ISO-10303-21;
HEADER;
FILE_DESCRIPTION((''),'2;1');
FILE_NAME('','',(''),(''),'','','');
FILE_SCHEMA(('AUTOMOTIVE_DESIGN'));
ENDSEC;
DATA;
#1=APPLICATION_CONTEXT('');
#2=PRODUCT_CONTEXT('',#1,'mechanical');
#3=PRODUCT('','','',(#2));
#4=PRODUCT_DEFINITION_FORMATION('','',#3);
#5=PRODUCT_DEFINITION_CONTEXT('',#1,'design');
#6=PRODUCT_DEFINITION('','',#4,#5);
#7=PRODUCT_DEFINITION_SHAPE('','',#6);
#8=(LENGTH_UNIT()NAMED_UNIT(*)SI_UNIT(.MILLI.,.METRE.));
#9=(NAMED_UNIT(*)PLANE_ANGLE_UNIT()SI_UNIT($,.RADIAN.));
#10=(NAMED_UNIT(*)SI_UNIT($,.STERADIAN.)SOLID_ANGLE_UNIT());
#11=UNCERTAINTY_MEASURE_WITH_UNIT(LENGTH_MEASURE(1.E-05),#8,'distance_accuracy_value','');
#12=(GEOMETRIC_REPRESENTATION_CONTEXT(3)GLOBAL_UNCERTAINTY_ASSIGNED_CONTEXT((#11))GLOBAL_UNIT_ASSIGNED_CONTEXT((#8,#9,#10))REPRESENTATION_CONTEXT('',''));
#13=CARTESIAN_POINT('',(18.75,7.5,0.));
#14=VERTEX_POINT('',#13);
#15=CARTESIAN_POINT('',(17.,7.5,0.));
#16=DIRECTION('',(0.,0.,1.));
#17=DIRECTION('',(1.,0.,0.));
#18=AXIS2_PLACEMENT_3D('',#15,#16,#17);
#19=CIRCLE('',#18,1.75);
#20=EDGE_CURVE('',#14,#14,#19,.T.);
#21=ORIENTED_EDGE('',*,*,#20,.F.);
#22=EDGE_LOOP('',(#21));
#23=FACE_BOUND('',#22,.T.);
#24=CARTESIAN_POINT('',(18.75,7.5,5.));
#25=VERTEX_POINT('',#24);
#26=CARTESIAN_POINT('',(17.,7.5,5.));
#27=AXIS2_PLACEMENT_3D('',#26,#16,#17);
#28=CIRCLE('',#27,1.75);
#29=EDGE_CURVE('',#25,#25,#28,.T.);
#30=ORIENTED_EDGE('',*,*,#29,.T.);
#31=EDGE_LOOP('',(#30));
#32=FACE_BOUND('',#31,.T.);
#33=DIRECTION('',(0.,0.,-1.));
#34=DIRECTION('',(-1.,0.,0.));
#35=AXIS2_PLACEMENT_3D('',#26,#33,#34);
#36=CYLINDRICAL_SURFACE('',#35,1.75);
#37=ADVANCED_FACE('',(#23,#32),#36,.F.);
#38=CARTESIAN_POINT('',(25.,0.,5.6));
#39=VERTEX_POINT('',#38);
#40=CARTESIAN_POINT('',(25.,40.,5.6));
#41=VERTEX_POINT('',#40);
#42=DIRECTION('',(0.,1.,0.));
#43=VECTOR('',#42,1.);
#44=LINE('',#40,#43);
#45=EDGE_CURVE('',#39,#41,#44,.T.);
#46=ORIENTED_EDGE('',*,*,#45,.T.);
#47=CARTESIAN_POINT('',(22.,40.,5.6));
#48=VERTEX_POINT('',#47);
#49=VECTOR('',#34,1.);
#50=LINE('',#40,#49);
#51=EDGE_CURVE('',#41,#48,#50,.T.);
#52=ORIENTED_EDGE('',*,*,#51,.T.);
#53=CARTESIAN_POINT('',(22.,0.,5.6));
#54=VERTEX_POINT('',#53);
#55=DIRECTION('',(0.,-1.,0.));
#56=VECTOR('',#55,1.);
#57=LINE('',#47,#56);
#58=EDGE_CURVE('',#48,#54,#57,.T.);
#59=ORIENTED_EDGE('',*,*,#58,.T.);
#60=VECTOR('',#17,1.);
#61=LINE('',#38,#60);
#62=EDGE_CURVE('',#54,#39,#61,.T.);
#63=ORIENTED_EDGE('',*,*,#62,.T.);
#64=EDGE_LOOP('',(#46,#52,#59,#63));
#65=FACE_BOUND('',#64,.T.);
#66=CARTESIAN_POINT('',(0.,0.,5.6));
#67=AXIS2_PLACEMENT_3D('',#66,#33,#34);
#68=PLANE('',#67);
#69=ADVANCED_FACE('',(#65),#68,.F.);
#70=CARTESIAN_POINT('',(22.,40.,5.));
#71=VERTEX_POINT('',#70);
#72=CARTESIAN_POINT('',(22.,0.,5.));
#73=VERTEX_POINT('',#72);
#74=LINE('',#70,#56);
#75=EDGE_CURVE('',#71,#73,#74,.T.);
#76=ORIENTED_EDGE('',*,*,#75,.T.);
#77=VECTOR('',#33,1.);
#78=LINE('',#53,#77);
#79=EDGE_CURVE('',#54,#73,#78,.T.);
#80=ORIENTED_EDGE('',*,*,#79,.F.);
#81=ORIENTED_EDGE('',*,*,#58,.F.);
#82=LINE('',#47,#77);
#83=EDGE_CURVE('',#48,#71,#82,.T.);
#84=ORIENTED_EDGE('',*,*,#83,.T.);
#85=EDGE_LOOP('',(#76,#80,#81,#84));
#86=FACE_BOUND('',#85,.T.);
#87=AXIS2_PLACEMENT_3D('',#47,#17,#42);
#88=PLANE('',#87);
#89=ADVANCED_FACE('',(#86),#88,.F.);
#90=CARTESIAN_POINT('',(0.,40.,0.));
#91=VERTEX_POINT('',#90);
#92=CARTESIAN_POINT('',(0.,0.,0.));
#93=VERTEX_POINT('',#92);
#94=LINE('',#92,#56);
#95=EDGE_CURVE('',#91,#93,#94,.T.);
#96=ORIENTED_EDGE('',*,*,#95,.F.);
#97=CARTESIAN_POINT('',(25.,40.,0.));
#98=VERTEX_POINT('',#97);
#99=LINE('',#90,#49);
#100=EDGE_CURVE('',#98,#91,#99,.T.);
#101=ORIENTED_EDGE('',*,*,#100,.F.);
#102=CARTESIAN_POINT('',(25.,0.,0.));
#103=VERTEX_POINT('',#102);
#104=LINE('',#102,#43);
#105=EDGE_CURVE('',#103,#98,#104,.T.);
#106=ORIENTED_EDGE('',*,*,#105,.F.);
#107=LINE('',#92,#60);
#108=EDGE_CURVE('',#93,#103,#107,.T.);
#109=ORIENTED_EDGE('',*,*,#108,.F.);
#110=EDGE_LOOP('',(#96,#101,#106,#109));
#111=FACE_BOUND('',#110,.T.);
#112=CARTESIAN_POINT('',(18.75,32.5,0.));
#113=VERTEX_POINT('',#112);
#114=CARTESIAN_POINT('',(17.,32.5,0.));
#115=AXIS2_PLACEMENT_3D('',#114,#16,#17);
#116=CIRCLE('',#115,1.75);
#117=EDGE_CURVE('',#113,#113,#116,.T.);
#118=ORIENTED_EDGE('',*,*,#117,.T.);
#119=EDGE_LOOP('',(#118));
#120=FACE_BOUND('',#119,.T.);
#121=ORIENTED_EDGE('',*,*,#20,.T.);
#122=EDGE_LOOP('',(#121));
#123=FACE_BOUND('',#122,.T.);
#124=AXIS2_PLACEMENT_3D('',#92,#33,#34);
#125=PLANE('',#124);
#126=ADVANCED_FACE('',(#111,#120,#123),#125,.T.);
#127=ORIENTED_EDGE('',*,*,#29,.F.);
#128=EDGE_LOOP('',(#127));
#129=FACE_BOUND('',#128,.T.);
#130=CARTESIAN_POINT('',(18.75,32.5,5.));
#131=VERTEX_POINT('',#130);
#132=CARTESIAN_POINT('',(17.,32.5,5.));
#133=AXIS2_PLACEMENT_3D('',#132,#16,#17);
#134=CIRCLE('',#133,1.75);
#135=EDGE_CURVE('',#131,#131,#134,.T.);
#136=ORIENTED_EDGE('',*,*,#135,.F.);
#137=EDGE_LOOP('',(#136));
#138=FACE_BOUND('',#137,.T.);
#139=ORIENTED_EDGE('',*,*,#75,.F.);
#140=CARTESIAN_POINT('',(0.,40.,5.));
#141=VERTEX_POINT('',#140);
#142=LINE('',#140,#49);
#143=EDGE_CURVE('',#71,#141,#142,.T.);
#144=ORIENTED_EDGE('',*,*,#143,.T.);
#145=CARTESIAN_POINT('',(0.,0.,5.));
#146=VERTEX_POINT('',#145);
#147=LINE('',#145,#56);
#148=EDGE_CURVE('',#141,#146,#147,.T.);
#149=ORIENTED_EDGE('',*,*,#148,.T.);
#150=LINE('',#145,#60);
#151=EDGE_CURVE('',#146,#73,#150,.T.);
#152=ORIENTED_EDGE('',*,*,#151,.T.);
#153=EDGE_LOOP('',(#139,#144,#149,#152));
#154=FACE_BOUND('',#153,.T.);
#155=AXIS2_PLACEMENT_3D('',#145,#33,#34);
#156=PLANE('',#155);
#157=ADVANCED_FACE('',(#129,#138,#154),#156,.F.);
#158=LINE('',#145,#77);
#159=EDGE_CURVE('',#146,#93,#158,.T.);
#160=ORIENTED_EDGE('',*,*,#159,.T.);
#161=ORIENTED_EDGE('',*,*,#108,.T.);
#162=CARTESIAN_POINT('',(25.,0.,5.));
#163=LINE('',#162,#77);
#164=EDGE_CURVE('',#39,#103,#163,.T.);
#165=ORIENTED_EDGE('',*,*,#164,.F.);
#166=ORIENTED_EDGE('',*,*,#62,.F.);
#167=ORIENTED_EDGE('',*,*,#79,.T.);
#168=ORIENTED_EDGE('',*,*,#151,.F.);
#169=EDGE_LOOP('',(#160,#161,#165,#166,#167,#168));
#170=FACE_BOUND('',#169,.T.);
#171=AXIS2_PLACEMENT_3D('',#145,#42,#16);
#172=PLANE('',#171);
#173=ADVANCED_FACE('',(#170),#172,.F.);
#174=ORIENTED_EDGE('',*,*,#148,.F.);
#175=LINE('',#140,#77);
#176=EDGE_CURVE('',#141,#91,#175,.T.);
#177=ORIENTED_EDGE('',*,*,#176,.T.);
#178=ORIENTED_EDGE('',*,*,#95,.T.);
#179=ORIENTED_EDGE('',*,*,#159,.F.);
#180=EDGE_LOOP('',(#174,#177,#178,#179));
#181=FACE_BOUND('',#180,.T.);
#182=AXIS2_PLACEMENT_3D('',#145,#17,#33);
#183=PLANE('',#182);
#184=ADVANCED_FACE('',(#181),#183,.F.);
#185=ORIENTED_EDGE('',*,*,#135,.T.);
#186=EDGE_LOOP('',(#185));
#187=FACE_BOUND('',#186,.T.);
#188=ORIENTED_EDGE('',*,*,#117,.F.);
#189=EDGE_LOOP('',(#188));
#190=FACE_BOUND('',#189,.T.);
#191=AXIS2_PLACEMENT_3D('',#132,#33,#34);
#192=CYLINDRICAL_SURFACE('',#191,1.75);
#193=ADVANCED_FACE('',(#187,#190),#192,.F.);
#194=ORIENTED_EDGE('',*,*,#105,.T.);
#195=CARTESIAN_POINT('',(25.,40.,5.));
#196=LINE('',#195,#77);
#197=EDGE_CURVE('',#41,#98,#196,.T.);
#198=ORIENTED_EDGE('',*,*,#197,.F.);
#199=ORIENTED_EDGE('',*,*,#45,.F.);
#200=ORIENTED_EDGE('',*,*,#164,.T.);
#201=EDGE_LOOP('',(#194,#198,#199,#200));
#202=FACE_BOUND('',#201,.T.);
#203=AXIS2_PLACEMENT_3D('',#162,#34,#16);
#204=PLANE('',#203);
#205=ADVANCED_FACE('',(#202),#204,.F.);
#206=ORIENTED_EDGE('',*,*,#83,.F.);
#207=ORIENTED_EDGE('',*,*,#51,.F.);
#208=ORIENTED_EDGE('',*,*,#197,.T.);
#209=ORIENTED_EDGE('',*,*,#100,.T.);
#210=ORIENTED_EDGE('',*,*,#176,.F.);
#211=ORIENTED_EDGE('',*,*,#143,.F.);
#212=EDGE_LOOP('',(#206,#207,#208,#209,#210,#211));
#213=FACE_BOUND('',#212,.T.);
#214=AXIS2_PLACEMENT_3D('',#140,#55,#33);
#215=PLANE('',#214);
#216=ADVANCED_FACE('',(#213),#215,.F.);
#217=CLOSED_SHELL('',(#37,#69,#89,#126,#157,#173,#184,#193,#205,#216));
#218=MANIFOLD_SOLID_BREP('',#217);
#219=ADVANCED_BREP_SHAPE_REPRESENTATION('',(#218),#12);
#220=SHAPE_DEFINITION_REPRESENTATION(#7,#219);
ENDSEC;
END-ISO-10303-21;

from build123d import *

# Parameters (mm, degrees)
SKETCH1_W           = 25
SKETCH1_H           = 40
SKETCH1_R           = 1.75
BOSS_EXTRUDE1_DEPTH = 5
SKETCH2_W           = 3
SKETCH2_H           = 40
BOSS_EXTRUDE2_DEPTH = 0.6


with BuildPart() as part:
    # Sketch1 → Boss-Extrude1 (new body)
    with BuildSketch(Plane.XY):
        with Locations((12.5, 20)):
            Rectangle(SKETCH1_W, SKETCH1_H)
        with Locations((17, 32.5)):
            Circle(SKETCH1_R, mode=Mode.SUBTRACT)
        with Locations((17, 7.5)):
            Circle(SKETCH1_R, mode=Mode.SUBTRACT)
    extrude(amount=BOSS_EXTRUDE1_DEPTH)

    # Sketch2 → Boss-Extrude2 (add)
    with BuildSketch(Plane.XY.offset(5)):
        with Locations((23.5, 20)):
            Rectangle(SKETCH2_W, SKETCH2_H)
    extrude(amount=BOSS_EXTRUDE2_DEPTH)


solid = part.part
